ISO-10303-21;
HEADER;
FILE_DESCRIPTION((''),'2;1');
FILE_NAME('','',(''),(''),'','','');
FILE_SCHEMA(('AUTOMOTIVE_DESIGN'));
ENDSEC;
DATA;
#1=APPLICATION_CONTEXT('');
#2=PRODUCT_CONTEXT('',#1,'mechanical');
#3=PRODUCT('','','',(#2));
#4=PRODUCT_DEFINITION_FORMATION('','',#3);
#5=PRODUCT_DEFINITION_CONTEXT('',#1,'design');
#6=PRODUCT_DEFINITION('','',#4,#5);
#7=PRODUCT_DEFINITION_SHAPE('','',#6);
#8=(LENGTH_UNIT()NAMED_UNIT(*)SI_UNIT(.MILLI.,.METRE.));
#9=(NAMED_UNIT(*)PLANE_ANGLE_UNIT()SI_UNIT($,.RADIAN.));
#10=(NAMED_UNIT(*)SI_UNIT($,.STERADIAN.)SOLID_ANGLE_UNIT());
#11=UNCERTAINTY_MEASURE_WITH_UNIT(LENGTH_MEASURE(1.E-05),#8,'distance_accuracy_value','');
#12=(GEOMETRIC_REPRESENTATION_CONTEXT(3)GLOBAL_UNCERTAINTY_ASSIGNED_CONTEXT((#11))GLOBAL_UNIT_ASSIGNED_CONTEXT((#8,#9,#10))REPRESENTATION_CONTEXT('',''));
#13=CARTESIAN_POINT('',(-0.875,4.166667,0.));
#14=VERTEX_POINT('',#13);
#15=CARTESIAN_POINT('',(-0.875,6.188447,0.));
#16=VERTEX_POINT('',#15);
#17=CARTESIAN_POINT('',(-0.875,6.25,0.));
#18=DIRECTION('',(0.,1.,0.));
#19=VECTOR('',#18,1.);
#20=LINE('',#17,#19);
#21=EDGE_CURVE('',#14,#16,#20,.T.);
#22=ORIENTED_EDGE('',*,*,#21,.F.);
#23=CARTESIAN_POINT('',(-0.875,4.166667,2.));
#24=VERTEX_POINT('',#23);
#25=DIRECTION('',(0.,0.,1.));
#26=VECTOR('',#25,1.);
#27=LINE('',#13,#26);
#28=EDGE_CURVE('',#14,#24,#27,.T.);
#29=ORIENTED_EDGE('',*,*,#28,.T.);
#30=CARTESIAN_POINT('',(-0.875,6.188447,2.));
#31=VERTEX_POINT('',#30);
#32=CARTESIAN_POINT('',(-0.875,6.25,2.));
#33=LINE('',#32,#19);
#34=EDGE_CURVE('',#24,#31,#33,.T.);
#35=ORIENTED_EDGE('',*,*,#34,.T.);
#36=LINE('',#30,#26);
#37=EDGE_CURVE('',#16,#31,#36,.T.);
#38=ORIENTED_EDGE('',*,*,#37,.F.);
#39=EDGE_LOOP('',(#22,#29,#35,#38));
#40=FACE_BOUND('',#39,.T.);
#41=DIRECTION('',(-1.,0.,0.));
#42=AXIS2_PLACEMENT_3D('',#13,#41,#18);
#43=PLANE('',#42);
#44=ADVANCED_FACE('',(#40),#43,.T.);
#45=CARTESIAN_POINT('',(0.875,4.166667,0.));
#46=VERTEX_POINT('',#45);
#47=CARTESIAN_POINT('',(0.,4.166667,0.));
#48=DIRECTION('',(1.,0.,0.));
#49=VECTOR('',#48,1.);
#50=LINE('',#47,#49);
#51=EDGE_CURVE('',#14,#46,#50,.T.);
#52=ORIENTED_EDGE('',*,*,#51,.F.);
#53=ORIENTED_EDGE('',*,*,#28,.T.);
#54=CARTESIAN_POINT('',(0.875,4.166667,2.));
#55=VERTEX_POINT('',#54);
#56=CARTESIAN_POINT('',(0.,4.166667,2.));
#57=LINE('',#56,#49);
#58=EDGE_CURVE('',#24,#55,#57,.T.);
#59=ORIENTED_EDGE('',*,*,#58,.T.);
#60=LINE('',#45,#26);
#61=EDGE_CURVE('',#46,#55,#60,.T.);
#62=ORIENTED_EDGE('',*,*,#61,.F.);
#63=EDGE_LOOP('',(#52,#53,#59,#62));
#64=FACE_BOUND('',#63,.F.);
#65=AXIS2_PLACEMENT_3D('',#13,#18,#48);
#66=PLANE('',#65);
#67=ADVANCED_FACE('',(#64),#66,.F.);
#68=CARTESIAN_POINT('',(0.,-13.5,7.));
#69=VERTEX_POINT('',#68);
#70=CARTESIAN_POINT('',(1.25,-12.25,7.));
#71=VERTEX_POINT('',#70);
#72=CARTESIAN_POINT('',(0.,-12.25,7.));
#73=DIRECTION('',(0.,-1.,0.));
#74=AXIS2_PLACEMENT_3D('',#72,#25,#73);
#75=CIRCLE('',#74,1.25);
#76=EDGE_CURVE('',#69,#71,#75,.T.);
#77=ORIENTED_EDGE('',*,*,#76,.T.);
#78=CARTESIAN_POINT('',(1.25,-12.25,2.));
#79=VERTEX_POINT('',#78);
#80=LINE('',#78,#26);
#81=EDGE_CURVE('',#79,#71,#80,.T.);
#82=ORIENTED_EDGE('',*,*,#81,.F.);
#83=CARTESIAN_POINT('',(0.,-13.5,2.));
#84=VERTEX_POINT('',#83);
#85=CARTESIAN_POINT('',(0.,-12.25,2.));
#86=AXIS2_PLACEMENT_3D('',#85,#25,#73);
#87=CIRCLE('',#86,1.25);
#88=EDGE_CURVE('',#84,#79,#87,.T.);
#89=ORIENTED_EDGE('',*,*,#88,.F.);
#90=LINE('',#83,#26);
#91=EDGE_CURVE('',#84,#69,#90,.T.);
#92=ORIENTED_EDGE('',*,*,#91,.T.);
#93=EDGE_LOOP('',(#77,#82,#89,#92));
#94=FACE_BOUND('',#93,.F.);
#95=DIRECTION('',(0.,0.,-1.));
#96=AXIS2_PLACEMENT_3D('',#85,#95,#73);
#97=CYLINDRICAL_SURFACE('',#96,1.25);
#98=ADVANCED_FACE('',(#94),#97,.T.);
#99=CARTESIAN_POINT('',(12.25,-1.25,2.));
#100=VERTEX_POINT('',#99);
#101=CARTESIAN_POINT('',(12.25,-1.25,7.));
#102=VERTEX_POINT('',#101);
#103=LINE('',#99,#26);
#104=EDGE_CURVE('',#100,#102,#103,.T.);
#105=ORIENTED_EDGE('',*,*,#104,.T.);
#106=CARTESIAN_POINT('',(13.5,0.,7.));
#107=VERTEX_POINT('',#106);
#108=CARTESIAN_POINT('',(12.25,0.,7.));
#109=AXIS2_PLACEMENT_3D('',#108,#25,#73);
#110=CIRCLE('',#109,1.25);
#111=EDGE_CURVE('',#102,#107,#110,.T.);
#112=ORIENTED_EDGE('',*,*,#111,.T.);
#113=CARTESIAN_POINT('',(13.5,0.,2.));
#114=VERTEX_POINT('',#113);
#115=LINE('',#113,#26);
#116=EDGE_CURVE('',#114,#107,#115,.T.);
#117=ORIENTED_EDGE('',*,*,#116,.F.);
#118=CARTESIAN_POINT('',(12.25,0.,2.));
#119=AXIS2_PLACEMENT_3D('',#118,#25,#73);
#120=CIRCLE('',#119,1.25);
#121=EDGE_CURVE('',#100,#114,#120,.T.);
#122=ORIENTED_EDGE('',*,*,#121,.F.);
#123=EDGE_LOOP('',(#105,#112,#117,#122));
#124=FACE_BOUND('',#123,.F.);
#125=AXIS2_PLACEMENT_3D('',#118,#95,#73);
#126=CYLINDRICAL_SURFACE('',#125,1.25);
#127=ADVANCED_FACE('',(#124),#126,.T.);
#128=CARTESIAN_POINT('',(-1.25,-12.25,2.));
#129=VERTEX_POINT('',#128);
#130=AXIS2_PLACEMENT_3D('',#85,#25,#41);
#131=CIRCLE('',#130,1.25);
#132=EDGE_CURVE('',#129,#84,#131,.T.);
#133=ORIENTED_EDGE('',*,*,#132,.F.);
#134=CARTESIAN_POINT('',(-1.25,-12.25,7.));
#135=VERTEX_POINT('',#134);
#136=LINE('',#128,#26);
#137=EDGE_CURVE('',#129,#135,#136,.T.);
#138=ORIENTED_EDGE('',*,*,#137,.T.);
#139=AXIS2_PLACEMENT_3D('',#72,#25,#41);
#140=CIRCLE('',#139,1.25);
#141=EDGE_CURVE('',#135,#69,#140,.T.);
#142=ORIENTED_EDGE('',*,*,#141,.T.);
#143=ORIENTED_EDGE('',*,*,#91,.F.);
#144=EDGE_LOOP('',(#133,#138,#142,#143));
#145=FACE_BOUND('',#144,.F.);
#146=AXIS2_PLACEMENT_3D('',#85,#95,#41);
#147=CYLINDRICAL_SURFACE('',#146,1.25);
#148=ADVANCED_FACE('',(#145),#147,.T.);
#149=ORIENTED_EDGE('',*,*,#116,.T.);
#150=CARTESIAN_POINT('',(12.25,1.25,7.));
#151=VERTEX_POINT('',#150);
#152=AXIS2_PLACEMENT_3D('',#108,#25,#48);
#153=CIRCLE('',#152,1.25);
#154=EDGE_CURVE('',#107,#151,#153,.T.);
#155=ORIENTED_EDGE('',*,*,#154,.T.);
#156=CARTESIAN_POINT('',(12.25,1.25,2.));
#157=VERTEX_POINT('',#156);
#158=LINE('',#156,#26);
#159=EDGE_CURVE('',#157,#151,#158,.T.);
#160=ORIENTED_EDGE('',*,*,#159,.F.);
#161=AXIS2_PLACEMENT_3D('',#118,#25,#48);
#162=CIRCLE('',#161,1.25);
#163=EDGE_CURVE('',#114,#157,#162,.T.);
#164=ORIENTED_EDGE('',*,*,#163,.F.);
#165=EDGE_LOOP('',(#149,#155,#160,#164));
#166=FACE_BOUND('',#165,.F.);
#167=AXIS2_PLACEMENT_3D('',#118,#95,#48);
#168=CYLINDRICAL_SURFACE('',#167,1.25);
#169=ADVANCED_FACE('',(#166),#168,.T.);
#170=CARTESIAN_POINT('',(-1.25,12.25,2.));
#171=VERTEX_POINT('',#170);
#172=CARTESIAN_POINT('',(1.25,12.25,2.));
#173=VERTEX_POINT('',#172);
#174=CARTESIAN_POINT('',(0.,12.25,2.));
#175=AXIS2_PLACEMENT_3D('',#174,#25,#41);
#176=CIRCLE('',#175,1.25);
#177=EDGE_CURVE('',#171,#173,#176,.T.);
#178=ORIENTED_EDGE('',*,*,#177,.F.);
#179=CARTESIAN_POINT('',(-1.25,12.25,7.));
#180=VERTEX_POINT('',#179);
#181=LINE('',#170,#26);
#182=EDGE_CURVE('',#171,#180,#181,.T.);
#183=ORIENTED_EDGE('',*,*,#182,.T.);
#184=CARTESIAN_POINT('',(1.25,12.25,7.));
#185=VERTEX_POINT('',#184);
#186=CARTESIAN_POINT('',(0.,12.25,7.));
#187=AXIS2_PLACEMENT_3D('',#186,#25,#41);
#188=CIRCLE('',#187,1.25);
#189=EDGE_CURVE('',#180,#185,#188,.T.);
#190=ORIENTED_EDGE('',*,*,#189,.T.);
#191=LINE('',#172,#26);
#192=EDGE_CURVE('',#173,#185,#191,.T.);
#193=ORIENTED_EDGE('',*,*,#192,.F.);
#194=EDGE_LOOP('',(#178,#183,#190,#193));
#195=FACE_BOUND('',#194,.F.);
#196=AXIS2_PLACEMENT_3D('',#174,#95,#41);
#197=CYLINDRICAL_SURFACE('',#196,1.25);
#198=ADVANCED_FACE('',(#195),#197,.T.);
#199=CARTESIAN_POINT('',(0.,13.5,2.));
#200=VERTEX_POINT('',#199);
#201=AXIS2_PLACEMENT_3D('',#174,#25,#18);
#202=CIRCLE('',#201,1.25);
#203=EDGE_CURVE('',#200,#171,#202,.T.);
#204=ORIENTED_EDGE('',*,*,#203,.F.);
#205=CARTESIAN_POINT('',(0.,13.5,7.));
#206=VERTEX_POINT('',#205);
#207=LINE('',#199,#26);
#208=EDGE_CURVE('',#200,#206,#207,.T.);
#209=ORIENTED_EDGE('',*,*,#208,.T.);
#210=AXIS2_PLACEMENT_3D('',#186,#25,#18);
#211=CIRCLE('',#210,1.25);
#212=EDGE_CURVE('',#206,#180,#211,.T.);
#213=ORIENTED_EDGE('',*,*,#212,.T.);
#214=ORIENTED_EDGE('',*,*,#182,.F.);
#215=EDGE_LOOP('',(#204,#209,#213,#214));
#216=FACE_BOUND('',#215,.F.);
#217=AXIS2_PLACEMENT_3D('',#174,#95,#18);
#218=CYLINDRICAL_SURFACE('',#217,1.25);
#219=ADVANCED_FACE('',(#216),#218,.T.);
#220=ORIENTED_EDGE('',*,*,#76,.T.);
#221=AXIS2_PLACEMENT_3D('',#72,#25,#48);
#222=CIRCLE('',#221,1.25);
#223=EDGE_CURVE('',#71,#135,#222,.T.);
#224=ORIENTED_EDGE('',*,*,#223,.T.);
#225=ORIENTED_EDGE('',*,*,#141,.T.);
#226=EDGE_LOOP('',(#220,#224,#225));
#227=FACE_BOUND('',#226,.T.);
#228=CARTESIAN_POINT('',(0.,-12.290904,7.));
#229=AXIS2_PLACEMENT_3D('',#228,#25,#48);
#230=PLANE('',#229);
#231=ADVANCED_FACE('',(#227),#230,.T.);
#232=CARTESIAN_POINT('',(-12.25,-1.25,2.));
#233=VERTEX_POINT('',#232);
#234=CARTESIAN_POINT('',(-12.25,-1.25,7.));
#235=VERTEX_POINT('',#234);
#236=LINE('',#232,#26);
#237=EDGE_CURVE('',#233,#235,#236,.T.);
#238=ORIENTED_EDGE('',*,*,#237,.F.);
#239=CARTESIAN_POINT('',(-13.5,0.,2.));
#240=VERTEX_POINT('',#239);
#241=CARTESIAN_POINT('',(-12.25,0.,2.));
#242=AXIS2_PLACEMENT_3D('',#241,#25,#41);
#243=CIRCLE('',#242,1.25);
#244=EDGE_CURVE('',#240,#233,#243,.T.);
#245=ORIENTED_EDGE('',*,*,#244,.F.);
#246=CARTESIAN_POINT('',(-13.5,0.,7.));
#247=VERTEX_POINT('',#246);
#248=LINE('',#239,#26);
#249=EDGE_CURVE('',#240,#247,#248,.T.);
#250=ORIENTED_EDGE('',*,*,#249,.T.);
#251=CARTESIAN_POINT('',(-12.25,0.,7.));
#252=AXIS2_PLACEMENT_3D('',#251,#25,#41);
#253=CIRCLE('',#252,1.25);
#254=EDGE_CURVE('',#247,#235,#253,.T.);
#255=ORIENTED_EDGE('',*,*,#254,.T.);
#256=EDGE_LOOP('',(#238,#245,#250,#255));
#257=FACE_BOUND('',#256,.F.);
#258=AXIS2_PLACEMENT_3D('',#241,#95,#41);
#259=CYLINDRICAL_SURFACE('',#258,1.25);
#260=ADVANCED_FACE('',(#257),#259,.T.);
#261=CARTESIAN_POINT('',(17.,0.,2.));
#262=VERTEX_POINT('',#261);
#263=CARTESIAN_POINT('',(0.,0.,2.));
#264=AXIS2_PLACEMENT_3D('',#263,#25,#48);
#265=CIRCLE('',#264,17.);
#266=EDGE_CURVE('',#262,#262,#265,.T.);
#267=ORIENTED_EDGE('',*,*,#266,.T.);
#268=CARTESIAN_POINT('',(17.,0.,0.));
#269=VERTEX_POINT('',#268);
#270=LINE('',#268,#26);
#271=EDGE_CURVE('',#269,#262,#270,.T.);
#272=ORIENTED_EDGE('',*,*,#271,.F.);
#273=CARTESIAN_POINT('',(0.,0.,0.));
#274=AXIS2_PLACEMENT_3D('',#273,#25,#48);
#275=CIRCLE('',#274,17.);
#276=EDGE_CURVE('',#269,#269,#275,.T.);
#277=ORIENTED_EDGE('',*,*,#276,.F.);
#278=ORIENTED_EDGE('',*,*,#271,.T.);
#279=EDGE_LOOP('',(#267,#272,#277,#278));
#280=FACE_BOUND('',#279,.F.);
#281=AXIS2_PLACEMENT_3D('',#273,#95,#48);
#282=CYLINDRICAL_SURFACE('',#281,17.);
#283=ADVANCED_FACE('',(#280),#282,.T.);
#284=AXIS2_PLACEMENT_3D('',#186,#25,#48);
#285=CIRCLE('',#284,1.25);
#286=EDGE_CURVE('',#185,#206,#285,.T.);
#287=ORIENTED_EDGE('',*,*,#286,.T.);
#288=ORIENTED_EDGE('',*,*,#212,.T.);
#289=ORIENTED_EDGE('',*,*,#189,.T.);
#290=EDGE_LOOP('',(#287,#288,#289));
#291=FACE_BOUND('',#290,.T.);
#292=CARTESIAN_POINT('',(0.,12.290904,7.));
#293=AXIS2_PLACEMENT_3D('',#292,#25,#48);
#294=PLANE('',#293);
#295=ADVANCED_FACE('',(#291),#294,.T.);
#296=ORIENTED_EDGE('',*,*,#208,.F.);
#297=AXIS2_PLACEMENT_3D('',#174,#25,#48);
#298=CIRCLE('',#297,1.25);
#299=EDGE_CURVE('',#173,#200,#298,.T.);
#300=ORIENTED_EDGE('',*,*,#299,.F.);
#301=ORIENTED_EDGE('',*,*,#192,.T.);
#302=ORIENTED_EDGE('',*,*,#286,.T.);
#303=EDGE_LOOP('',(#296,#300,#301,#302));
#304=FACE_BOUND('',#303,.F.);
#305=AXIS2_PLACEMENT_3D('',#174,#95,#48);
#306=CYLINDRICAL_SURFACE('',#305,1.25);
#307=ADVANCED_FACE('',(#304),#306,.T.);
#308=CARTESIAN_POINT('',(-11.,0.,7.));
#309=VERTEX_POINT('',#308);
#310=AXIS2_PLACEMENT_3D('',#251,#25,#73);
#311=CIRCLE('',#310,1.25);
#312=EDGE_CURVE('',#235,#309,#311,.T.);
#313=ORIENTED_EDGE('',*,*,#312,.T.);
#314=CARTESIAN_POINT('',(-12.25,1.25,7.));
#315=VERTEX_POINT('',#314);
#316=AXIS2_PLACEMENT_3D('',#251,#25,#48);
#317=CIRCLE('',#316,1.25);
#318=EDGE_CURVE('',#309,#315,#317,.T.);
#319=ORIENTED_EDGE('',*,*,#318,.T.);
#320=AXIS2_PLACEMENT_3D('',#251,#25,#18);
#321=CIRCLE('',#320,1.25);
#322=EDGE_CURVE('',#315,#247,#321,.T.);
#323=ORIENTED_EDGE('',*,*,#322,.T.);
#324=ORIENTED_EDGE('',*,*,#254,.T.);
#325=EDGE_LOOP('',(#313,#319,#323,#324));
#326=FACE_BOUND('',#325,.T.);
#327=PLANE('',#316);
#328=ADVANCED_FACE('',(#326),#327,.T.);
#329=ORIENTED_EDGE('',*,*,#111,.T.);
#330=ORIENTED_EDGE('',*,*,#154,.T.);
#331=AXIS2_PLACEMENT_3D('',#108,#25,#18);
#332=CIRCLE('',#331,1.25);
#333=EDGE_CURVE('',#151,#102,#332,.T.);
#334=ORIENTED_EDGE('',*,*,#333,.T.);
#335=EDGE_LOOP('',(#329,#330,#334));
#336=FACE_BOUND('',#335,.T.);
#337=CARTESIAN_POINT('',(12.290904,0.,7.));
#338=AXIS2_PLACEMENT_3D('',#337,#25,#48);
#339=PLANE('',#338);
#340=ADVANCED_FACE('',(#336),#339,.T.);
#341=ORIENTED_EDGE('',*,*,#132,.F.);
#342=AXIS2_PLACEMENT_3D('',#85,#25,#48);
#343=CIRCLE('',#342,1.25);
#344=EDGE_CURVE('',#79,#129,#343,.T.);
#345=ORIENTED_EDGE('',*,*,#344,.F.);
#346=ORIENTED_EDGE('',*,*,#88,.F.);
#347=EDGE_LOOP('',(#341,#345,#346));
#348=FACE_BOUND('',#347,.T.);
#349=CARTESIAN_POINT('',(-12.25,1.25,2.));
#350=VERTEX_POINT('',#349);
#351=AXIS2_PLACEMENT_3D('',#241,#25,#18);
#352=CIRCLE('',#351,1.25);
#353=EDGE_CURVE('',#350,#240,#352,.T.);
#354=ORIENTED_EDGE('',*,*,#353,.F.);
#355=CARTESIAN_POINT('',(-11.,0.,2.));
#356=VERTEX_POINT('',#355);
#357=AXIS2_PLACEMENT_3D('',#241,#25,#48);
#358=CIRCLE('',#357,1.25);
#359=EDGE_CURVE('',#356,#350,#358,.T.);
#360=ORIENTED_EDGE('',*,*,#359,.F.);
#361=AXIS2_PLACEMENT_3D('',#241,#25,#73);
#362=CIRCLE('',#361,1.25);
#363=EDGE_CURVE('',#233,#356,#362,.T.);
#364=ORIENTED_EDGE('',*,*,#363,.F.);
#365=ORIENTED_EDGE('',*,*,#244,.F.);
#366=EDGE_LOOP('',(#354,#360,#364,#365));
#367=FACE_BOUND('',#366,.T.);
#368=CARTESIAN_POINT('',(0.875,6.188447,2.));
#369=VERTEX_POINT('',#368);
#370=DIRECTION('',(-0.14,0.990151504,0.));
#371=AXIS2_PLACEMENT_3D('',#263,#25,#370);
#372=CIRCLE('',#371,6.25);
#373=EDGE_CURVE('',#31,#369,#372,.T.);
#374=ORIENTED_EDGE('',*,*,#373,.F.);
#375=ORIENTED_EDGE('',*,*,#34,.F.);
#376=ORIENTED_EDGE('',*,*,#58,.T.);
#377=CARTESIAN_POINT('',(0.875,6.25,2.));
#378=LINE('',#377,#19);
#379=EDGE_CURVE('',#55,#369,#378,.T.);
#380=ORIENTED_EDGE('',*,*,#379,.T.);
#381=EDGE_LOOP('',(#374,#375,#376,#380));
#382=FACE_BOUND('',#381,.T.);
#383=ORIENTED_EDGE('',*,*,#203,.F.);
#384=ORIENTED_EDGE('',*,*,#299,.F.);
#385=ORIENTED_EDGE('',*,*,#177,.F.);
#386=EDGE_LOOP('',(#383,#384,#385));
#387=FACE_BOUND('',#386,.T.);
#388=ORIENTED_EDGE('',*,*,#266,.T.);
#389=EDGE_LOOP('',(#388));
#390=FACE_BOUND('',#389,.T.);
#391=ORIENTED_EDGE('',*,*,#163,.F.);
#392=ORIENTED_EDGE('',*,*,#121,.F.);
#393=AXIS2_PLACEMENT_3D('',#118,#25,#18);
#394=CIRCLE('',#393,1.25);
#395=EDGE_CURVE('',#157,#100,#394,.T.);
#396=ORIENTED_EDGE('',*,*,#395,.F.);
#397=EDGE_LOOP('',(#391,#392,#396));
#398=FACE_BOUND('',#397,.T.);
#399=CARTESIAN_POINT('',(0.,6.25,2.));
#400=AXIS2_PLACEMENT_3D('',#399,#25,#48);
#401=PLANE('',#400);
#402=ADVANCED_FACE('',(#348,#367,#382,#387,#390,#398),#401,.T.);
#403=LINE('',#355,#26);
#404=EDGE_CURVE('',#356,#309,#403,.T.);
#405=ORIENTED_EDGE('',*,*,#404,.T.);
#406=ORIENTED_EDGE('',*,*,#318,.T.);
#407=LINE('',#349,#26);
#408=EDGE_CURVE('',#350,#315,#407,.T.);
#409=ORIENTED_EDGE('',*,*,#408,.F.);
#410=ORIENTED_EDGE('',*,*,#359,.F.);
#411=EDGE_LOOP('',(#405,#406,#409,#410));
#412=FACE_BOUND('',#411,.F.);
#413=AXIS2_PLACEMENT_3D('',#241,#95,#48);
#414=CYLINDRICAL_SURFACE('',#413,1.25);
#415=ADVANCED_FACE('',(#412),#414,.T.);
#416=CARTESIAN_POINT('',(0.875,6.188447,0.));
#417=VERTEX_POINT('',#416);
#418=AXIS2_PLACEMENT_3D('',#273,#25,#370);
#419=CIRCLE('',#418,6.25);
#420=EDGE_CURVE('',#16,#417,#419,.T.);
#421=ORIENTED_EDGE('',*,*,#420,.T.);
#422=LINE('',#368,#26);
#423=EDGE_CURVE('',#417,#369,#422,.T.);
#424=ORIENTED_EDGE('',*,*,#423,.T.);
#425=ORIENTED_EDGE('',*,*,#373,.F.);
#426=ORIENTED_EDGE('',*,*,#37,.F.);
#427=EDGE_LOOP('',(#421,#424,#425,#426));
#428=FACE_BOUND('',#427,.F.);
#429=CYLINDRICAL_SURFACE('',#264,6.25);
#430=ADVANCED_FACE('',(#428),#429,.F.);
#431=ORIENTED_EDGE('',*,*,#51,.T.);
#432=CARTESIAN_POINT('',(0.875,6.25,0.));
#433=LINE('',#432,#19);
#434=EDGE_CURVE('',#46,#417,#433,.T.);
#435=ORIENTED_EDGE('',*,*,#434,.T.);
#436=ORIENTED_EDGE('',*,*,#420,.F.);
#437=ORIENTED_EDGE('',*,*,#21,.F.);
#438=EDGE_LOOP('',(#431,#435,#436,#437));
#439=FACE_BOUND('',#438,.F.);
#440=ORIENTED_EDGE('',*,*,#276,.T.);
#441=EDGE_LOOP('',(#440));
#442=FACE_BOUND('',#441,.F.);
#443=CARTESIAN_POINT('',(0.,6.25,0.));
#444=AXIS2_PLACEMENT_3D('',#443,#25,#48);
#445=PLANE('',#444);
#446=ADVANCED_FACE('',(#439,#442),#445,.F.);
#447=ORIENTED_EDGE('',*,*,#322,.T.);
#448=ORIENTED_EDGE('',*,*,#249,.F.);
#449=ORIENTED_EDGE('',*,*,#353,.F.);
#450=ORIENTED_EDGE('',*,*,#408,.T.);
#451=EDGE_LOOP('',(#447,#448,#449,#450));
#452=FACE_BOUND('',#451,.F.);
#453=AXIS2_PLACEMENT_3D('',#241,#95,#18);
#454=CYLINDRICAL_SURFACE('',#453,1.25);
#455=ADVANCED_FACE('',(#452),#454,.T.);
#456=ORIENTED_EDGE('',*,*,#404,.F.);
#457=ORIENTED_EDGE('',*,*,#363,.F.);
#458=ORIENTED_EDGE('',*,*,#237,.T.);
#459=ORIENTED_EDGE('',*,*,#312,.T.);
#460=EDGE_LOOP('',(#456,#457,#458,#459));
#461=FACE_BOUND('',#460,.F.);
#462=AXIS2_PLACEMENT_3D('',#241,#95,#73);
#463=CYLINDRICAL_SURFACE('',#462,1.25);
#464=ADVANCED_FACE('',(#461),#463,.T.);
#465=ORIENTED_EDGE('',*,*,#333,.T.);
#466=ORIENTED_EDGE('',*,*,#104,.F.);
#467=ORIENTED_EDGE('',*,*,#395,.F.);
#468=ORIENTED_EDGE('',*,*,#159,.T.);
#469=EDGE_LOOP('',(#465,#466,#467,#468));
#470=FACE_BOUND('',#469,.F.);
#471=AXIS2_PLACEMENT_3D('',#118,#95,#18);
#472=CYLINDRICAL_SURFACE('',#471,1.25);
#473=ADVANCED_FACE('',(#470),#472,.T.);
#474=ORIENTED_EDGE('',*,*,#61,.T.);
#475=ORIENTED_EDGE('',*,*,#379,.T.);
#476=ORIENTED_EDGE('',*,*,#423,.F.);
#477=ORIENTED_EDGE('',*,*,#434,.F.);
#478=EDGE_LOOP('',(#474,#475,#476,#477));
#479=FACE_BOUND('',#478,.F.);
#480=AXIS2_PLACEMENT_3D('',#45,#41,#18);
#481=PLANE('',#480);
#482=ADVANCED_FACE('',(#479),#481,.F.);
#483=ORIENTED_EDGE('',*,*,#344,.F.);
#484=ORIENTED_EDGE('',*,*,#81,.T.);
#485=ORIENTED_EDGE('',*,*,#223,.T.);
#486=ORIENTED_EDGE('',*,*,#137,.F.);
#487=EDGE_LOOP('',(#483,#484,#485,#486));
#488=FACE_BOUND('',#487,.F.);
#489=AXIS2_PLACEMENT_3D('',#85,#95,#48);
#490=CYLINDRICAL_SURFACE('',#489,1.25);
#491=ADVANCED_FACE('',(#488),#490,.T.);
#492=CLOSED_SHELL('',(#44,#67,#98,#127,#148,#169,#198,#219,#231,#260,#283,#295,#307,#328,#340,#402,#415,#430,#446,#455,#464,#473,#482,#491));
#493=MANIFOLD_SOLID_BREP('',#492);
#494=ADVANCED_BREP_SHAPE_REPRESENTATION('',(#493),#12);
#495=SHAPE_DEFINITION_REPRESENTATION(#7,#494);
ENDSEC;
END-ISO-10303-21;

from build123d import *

# Parameters (mm, degrees)
F2_W      = 27
F2_H      = 2.5
F3_DEPTH  = 2
F4_W      = 2.5
F4_H      = 27
F5_DEPTH  = 2
F7_DEPTH  = 5
F8_R      = 17
F9_DEPTH  = 2
F10_R     = 6.25
F11_DEPTH = 2
F12_W     = 1.75
F12_H     = 4.1666666667
F13_DEPTH = 2


with BuildPart() as f3:
    # F2 (on Top) → F3 (new body)
    with BuildSketch(Plane.XY):
        Rectangle(F2_W, F2_H)
    extrude(amount=F3_DEPTH)

    # F4 (on Top) → F5 (join)
    with BuildSketch(Plane.XY):
        Rectangle(F4_W, F4_H)
    extrude(amount=F5_DEPTH)

    # F6 (on face) → F7 (join)
    with BuildSketch(Plane.XY.offset(2)):
        with BuildLine():
            ThreePointArc((-12.25, -1.25), (-11.3661165235, -0.8838834765), (-11, 0))
            ThreePointArc((-11, 0), (-11.3661165235, 0.8838834765), (-12.25, 1.25))
            ThreePointArc((-12.25, 1.25), (-13.1338834765, 0.8838834765), (-13.5, 0))
            ThreePointArc((-13.5, 0), (-13.1338834765, -0.8838834765), (-12.25, -1.25))
        make_face()
        with BuildLine():
            ThreePointArc((0, 13.5), (-0.8838834765, 13.1338834765), (-1.25, 12.25))
            ThreePointArc((-1.25, 12.25), (0, 11), (1.25, 12.25))
            ThreePointArc((1.25, 12.25), (0.8838834765, 13.1338834765), (0, 13.5))
        make_face()
        with BuildLine():
            ThreePointArc((13.5, 0), (13.1338834765, 0.8838834765), (12.25, 1.25))
            ThreePointArc((12.25, 1.25), (11, 0), (12.25, -1.25))
            ThreePointArc((12.25, -1.25), (13.1338834765, -0.8838834765), (13.5, 0))
        make_face()
        with BuildLine():
            ThreePointArc((1.25, -12.25), (0, -11), (-1.25, -12.25))
            ThreePointArc((-1.25, -12.25), (-0.8838834765, -13.1338834765), (0, -13.5))
            ThreePointArc((0, -13.5), (0.8838834765, -13.1338834765), (1.25, -12.25))
        make_face()
    extrude(amount=F7_DEPTH)

    # F8 (on Top) → F9 (join)
    with BuildSketch(Plane.XY):
        Circle(F8_R)
    extrude(amount=F9_DEPTH)

    # F10 (on face) → F11 (cut, through all)
    with BuildSketch(Plane.XY.offset(2)):
        Circle(F10_R)
    extrude(amount=-F11_DEPTH, mode=Mode.SUBTRACT)

    # F12 (on Top) → F13 (join)
    with BuildSketch(Plane.XY):
        with Locations((0, 6.25)):
            Rectangle(F12_W, F12_H)
    extrude(amount=F13_DEPTH)


solid = f3.part
